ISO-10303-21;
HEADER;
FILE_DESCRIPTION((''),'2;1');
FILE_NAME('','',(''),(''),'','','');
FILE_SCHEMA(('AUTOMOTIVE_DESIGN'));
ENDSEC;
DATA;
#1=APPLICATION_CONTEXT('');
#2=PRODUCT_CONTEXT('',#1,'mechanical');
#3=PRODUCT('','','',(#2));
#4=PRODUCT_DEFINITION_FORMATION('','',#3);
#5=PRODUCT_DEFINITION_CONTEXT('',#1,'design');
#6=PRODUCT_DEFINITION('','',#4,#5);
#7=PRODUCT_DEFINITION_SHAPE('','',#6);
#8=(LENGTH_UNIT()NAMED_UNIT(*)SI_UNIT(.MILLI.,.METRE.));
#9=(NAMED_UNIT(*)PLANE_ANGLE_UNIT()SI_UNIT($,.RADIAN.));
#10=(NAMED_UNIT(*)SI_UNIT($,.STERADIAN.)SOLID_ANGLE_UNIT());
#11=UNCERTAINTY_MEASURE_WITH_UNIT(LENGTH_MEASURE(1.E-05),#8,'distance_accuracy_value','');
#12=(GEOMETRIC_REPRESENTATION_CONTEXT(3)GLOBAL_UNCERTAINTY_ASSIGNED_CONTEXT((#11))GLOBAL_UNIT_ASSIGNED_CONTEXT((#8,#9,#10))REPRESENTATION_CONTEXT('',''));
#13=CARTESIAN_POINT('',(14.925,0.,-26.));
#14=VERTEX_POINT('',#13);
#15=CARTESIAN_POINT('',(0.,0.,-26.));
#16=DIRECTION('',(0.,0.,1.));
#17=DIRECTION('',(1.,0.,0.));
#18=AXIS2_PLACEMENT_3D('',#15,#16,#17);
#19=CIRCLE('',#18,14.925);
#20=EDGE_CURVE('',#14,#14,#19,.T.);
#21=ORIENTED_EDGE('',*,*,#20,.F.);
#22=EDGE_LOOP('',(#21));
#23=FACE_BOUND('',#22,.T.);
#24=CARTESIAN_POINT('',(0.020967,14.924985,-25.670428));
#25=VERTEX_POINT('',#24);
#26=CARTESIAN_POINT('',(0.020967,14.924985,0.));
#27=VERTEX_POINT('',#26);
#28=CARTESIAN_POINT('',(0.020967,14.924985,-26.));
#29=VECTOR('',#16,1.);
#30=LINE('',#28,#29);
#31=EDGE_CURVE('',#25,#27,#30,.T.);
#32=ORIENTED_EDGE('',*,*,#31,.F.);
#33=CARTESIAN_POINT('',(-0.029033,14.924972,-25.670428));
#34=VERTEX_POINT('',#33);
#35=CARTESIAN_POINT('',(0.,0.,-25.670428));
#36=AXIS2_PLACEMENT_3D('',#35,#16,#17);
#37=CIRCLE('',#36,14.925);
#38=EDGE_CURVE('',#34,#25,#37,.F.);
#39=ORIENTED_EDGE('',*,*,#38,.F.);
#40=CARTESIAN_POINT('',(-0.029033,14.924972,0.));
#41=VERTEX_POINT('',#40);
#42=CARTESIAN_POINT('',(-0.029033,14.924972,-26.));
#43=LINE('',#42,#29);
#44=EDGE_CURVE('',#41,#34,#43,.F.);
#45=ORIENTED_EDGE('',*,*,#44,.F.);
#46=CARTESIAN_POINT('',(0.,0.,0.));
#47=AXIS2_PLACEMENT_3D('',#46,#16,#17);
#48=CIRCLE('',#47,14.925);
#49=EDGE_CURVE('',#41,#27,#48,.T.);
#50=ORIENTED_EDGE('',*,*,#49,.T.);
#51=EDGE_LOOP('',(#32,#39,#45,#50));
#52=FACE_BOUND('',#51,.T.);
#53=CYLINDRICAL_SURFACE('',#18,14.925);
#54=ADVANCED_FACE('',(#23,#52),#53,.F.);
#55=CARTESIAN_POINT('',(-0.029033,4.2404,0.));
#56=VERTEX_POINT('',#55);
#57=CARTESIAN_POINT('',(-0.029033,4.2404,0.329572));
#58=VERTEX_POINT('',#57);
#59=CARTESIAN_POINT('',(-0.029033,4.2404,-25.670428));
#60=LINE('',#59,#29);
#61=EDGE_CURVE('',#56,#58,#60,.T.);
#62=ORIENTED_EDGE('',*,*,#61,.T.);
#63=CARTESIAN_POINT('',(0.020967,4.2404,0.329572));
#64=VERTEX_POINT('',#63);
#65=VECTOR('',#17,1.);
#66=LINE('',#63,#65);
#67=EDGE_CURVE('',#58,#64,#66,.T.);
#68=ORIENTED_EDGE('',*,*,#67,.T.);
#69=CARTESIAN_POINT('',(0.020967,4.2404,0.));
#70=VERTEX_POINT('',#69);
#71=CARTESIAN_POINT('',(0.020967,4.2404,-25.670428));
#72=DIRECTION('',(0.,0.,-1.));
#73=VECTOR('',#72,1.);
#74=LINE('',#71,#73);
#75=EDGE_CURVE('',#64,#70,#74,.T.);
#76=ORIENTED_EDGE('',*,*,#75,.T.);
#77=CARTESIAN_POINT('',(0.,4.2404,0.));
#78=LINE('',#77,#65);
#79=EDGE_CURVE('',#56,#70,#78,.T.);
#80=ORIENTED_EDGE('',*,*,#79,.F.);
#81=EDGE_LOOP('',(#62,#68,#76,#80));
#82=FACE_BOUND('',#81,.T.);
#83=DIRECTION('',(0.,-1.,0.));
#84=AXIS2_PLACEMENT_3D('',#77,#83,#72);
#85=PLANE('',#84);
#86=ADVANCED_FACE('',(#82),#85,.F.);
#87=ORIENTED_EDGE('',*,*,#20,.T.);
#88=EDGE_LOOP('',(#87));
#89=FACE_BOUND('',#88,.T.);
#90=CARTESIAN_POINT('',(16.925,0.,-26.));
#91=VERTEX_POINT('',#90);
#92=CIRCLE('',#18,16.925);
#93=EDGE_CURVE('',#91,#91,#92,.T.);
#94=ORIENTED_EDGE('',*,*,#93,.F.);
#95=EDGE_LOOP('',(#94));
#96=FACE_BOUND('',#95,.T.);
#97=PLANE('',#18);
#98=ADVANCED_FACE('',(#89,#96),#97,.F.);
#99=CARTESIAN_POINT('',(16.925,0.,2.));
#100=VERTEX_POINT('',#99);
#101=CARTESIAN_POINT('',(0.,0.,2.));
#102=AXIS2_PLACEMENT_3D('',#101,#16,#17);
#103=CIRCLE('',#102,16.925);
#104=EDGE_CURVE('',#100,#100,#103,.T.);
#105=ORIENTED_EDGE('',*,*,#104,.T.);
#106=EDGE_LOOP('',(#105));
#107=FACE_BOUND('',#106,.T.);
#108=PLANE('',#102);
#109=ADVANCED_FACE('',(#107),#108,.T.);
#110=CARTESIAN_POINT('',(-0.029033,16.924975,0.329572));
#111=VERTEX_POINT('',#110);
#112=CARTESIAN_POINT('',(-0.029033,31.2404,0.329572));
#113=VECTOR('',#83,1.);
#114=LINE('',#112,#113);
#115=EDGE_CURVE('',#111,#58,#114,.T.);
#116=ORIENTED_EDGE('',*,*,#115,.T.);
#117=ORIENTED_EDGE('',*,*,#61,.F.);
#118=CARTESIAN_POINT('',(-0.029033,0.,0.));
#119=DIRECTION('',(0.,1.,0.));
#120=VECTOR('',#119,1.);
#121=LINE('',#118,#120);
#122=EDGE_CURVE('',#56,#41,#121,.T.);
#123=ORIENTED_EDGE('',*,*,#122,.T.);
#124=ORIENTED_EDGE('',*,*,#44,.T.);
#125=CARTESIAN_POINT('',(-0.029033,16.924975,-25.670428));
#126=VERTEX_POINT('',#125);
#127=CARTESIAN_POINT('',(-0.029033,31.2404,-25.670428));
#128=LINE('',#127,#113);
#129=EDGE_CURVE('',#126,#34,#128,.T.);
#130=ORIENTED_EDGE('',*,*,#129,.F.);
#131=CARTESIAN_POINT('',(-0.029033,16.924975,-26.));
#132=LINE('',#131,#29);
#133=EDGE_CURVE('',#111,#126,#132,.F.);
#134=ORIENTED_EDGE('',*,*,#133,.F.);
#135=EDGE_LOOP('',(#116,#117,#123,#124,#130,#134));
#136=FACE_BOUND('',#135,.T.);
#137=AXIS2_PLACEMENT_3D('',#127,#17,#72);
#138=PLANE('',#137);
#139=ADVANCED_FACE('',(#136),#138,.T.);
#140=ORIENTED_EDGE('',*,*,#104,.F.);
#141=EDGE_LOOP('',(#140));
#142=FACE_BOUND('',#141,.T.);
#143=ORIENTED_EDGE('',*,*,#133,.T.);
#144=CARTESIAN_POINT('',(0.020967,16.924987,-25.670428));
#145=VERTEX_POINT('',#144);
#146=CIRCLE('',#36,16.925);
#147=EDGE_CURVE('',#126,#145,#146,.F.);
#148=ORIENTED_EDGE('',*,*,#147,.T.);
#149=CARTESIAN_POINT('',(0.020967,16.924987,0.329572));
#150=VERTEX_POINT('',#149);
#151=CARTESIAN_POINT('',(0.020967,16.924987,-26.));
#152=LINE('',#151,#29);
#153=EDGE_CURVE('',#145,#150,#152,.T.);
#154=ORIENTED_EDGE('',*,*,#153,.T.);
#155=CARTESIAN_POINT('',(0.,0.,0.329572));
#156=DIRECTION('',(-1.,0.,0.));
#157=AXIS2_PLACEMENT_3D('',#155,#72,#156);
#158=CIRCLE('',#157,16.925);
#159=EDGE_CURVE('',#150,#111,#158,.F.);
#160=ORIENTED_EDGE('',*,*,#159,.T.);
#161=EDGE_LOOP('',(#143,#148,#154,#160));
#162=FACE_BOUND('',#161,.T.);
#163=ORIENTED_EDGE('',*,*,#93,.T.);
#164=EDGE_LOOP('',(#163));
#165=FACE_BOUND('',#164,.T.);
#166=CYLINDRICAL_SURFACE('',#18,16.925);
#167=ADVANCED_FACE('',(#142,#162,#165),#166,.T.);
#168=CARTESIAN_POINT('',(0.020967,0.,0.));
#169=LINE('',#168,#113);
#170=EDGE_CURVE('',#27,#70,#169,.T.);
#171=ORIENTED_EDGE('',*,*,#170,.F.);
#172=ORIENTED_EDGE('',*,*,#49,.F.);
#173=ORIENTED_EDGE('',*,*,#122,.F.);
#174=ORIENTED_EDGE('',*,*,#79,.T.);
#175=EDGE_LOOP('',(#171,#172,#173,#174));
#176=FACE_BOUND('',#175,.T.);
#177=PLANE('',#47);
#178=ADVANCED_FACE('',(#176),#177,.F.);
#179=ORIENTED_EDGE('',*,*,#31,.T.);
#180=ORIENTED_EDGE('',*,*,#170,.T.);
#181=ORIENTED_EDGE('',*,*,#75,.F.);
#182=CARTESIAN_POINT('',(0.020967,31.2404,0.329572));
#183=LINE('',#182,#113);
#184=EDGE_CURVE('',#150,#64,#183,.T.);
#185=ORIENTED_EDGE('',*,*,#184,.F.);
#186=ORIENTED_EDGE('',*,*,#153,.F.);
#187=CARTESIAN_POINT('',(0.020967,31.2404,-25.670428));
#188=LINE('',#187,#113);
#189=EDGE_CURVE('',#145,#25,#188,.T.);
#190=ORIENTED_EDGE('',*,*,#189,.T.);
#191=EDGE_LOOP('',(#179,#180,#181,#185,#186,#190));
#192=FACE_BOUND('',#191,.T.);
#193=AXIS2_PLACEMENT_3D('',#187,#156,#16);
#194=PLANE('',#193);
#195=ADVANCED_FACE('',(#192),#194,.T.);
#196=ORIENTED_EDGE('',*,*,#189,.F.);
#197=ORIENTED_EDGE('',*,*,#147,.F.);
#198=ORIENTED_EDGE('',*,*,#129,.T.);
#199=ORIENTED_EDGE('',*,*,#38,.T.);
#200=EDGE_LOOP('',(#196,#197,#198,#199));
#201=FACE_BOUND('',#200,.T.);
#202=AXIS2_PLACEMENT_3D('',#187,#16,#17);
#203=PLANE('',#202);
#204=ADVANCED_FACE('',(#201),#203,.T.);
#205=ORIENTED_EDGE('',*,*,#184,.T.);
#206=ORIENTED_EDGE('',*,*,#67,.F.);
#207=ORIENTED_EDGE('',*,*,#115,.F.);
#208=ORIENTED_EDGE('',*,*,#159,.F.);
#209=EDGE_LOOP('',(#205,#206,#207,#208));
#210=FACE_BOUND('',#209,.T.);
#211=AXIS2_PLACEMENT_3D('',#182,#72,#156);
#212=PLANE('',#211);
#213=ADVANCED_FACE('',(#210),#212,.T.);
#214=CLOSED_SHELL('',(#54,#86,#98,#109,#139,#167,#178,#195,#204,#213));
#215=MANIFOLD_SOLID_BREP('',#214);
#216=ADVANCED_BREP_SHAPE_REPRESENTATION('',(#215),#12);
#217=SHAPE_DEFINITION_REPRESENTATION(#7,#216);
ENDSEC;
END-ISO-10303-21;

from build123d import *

# Parameters (mm, degrees)
SKETCH_1_R          = 14.925
EXTRUDE_1_DEPTH     = 2
EXTRUDE_START       = -28
SKETCH_2_R          = 16.925
SKETCH_2_R_2        = 14.925
EXTRUDE_2_DEPTH     = 28
SKETCH_3_W          = 0.05
SKETCH_3_H          = 26
CUT_EXTRUDE_1_DEPTH = 27


with BuildPart() as part:
    # Эскиз1 → Бобышка-Вытянуть1 (new body)
    with BuildSketch(Plane.XY):
        Circle(SKETCH_1_R)
    extrude(amount=EXTRUDE_1_DEPTH)

    # Эскиз2 → Бобышка-Вытянуть2 (add)
    with BuildSketch(Plane.XY.offset(2).offset(EXTRUDE_START)):
        Circle(SKETCH_2_R)
        Circle(SKETCH_2_R_2, mode=Mode.SUBTRACT)
    extrude(amount=EXTRUDE_2_DEPTH)

    # Эскиз3 → Вырез-Вытянуть1 (cut)
    with BuildSketch(Plane(origin=(-4.399906999, 4.240400233, -22), x_dir=(1, 0, 0), z_dir=(0, 1, 0))):
        with Locations((4.39587448, -9.32957199)):
            Rectangle(SKETCH_3_W, SKETCH_3_H)
    extrude(amount=CUT_EXTRUDE_1_DEPTH, mode=Mode.SUBTRACT)


solid = part.part
